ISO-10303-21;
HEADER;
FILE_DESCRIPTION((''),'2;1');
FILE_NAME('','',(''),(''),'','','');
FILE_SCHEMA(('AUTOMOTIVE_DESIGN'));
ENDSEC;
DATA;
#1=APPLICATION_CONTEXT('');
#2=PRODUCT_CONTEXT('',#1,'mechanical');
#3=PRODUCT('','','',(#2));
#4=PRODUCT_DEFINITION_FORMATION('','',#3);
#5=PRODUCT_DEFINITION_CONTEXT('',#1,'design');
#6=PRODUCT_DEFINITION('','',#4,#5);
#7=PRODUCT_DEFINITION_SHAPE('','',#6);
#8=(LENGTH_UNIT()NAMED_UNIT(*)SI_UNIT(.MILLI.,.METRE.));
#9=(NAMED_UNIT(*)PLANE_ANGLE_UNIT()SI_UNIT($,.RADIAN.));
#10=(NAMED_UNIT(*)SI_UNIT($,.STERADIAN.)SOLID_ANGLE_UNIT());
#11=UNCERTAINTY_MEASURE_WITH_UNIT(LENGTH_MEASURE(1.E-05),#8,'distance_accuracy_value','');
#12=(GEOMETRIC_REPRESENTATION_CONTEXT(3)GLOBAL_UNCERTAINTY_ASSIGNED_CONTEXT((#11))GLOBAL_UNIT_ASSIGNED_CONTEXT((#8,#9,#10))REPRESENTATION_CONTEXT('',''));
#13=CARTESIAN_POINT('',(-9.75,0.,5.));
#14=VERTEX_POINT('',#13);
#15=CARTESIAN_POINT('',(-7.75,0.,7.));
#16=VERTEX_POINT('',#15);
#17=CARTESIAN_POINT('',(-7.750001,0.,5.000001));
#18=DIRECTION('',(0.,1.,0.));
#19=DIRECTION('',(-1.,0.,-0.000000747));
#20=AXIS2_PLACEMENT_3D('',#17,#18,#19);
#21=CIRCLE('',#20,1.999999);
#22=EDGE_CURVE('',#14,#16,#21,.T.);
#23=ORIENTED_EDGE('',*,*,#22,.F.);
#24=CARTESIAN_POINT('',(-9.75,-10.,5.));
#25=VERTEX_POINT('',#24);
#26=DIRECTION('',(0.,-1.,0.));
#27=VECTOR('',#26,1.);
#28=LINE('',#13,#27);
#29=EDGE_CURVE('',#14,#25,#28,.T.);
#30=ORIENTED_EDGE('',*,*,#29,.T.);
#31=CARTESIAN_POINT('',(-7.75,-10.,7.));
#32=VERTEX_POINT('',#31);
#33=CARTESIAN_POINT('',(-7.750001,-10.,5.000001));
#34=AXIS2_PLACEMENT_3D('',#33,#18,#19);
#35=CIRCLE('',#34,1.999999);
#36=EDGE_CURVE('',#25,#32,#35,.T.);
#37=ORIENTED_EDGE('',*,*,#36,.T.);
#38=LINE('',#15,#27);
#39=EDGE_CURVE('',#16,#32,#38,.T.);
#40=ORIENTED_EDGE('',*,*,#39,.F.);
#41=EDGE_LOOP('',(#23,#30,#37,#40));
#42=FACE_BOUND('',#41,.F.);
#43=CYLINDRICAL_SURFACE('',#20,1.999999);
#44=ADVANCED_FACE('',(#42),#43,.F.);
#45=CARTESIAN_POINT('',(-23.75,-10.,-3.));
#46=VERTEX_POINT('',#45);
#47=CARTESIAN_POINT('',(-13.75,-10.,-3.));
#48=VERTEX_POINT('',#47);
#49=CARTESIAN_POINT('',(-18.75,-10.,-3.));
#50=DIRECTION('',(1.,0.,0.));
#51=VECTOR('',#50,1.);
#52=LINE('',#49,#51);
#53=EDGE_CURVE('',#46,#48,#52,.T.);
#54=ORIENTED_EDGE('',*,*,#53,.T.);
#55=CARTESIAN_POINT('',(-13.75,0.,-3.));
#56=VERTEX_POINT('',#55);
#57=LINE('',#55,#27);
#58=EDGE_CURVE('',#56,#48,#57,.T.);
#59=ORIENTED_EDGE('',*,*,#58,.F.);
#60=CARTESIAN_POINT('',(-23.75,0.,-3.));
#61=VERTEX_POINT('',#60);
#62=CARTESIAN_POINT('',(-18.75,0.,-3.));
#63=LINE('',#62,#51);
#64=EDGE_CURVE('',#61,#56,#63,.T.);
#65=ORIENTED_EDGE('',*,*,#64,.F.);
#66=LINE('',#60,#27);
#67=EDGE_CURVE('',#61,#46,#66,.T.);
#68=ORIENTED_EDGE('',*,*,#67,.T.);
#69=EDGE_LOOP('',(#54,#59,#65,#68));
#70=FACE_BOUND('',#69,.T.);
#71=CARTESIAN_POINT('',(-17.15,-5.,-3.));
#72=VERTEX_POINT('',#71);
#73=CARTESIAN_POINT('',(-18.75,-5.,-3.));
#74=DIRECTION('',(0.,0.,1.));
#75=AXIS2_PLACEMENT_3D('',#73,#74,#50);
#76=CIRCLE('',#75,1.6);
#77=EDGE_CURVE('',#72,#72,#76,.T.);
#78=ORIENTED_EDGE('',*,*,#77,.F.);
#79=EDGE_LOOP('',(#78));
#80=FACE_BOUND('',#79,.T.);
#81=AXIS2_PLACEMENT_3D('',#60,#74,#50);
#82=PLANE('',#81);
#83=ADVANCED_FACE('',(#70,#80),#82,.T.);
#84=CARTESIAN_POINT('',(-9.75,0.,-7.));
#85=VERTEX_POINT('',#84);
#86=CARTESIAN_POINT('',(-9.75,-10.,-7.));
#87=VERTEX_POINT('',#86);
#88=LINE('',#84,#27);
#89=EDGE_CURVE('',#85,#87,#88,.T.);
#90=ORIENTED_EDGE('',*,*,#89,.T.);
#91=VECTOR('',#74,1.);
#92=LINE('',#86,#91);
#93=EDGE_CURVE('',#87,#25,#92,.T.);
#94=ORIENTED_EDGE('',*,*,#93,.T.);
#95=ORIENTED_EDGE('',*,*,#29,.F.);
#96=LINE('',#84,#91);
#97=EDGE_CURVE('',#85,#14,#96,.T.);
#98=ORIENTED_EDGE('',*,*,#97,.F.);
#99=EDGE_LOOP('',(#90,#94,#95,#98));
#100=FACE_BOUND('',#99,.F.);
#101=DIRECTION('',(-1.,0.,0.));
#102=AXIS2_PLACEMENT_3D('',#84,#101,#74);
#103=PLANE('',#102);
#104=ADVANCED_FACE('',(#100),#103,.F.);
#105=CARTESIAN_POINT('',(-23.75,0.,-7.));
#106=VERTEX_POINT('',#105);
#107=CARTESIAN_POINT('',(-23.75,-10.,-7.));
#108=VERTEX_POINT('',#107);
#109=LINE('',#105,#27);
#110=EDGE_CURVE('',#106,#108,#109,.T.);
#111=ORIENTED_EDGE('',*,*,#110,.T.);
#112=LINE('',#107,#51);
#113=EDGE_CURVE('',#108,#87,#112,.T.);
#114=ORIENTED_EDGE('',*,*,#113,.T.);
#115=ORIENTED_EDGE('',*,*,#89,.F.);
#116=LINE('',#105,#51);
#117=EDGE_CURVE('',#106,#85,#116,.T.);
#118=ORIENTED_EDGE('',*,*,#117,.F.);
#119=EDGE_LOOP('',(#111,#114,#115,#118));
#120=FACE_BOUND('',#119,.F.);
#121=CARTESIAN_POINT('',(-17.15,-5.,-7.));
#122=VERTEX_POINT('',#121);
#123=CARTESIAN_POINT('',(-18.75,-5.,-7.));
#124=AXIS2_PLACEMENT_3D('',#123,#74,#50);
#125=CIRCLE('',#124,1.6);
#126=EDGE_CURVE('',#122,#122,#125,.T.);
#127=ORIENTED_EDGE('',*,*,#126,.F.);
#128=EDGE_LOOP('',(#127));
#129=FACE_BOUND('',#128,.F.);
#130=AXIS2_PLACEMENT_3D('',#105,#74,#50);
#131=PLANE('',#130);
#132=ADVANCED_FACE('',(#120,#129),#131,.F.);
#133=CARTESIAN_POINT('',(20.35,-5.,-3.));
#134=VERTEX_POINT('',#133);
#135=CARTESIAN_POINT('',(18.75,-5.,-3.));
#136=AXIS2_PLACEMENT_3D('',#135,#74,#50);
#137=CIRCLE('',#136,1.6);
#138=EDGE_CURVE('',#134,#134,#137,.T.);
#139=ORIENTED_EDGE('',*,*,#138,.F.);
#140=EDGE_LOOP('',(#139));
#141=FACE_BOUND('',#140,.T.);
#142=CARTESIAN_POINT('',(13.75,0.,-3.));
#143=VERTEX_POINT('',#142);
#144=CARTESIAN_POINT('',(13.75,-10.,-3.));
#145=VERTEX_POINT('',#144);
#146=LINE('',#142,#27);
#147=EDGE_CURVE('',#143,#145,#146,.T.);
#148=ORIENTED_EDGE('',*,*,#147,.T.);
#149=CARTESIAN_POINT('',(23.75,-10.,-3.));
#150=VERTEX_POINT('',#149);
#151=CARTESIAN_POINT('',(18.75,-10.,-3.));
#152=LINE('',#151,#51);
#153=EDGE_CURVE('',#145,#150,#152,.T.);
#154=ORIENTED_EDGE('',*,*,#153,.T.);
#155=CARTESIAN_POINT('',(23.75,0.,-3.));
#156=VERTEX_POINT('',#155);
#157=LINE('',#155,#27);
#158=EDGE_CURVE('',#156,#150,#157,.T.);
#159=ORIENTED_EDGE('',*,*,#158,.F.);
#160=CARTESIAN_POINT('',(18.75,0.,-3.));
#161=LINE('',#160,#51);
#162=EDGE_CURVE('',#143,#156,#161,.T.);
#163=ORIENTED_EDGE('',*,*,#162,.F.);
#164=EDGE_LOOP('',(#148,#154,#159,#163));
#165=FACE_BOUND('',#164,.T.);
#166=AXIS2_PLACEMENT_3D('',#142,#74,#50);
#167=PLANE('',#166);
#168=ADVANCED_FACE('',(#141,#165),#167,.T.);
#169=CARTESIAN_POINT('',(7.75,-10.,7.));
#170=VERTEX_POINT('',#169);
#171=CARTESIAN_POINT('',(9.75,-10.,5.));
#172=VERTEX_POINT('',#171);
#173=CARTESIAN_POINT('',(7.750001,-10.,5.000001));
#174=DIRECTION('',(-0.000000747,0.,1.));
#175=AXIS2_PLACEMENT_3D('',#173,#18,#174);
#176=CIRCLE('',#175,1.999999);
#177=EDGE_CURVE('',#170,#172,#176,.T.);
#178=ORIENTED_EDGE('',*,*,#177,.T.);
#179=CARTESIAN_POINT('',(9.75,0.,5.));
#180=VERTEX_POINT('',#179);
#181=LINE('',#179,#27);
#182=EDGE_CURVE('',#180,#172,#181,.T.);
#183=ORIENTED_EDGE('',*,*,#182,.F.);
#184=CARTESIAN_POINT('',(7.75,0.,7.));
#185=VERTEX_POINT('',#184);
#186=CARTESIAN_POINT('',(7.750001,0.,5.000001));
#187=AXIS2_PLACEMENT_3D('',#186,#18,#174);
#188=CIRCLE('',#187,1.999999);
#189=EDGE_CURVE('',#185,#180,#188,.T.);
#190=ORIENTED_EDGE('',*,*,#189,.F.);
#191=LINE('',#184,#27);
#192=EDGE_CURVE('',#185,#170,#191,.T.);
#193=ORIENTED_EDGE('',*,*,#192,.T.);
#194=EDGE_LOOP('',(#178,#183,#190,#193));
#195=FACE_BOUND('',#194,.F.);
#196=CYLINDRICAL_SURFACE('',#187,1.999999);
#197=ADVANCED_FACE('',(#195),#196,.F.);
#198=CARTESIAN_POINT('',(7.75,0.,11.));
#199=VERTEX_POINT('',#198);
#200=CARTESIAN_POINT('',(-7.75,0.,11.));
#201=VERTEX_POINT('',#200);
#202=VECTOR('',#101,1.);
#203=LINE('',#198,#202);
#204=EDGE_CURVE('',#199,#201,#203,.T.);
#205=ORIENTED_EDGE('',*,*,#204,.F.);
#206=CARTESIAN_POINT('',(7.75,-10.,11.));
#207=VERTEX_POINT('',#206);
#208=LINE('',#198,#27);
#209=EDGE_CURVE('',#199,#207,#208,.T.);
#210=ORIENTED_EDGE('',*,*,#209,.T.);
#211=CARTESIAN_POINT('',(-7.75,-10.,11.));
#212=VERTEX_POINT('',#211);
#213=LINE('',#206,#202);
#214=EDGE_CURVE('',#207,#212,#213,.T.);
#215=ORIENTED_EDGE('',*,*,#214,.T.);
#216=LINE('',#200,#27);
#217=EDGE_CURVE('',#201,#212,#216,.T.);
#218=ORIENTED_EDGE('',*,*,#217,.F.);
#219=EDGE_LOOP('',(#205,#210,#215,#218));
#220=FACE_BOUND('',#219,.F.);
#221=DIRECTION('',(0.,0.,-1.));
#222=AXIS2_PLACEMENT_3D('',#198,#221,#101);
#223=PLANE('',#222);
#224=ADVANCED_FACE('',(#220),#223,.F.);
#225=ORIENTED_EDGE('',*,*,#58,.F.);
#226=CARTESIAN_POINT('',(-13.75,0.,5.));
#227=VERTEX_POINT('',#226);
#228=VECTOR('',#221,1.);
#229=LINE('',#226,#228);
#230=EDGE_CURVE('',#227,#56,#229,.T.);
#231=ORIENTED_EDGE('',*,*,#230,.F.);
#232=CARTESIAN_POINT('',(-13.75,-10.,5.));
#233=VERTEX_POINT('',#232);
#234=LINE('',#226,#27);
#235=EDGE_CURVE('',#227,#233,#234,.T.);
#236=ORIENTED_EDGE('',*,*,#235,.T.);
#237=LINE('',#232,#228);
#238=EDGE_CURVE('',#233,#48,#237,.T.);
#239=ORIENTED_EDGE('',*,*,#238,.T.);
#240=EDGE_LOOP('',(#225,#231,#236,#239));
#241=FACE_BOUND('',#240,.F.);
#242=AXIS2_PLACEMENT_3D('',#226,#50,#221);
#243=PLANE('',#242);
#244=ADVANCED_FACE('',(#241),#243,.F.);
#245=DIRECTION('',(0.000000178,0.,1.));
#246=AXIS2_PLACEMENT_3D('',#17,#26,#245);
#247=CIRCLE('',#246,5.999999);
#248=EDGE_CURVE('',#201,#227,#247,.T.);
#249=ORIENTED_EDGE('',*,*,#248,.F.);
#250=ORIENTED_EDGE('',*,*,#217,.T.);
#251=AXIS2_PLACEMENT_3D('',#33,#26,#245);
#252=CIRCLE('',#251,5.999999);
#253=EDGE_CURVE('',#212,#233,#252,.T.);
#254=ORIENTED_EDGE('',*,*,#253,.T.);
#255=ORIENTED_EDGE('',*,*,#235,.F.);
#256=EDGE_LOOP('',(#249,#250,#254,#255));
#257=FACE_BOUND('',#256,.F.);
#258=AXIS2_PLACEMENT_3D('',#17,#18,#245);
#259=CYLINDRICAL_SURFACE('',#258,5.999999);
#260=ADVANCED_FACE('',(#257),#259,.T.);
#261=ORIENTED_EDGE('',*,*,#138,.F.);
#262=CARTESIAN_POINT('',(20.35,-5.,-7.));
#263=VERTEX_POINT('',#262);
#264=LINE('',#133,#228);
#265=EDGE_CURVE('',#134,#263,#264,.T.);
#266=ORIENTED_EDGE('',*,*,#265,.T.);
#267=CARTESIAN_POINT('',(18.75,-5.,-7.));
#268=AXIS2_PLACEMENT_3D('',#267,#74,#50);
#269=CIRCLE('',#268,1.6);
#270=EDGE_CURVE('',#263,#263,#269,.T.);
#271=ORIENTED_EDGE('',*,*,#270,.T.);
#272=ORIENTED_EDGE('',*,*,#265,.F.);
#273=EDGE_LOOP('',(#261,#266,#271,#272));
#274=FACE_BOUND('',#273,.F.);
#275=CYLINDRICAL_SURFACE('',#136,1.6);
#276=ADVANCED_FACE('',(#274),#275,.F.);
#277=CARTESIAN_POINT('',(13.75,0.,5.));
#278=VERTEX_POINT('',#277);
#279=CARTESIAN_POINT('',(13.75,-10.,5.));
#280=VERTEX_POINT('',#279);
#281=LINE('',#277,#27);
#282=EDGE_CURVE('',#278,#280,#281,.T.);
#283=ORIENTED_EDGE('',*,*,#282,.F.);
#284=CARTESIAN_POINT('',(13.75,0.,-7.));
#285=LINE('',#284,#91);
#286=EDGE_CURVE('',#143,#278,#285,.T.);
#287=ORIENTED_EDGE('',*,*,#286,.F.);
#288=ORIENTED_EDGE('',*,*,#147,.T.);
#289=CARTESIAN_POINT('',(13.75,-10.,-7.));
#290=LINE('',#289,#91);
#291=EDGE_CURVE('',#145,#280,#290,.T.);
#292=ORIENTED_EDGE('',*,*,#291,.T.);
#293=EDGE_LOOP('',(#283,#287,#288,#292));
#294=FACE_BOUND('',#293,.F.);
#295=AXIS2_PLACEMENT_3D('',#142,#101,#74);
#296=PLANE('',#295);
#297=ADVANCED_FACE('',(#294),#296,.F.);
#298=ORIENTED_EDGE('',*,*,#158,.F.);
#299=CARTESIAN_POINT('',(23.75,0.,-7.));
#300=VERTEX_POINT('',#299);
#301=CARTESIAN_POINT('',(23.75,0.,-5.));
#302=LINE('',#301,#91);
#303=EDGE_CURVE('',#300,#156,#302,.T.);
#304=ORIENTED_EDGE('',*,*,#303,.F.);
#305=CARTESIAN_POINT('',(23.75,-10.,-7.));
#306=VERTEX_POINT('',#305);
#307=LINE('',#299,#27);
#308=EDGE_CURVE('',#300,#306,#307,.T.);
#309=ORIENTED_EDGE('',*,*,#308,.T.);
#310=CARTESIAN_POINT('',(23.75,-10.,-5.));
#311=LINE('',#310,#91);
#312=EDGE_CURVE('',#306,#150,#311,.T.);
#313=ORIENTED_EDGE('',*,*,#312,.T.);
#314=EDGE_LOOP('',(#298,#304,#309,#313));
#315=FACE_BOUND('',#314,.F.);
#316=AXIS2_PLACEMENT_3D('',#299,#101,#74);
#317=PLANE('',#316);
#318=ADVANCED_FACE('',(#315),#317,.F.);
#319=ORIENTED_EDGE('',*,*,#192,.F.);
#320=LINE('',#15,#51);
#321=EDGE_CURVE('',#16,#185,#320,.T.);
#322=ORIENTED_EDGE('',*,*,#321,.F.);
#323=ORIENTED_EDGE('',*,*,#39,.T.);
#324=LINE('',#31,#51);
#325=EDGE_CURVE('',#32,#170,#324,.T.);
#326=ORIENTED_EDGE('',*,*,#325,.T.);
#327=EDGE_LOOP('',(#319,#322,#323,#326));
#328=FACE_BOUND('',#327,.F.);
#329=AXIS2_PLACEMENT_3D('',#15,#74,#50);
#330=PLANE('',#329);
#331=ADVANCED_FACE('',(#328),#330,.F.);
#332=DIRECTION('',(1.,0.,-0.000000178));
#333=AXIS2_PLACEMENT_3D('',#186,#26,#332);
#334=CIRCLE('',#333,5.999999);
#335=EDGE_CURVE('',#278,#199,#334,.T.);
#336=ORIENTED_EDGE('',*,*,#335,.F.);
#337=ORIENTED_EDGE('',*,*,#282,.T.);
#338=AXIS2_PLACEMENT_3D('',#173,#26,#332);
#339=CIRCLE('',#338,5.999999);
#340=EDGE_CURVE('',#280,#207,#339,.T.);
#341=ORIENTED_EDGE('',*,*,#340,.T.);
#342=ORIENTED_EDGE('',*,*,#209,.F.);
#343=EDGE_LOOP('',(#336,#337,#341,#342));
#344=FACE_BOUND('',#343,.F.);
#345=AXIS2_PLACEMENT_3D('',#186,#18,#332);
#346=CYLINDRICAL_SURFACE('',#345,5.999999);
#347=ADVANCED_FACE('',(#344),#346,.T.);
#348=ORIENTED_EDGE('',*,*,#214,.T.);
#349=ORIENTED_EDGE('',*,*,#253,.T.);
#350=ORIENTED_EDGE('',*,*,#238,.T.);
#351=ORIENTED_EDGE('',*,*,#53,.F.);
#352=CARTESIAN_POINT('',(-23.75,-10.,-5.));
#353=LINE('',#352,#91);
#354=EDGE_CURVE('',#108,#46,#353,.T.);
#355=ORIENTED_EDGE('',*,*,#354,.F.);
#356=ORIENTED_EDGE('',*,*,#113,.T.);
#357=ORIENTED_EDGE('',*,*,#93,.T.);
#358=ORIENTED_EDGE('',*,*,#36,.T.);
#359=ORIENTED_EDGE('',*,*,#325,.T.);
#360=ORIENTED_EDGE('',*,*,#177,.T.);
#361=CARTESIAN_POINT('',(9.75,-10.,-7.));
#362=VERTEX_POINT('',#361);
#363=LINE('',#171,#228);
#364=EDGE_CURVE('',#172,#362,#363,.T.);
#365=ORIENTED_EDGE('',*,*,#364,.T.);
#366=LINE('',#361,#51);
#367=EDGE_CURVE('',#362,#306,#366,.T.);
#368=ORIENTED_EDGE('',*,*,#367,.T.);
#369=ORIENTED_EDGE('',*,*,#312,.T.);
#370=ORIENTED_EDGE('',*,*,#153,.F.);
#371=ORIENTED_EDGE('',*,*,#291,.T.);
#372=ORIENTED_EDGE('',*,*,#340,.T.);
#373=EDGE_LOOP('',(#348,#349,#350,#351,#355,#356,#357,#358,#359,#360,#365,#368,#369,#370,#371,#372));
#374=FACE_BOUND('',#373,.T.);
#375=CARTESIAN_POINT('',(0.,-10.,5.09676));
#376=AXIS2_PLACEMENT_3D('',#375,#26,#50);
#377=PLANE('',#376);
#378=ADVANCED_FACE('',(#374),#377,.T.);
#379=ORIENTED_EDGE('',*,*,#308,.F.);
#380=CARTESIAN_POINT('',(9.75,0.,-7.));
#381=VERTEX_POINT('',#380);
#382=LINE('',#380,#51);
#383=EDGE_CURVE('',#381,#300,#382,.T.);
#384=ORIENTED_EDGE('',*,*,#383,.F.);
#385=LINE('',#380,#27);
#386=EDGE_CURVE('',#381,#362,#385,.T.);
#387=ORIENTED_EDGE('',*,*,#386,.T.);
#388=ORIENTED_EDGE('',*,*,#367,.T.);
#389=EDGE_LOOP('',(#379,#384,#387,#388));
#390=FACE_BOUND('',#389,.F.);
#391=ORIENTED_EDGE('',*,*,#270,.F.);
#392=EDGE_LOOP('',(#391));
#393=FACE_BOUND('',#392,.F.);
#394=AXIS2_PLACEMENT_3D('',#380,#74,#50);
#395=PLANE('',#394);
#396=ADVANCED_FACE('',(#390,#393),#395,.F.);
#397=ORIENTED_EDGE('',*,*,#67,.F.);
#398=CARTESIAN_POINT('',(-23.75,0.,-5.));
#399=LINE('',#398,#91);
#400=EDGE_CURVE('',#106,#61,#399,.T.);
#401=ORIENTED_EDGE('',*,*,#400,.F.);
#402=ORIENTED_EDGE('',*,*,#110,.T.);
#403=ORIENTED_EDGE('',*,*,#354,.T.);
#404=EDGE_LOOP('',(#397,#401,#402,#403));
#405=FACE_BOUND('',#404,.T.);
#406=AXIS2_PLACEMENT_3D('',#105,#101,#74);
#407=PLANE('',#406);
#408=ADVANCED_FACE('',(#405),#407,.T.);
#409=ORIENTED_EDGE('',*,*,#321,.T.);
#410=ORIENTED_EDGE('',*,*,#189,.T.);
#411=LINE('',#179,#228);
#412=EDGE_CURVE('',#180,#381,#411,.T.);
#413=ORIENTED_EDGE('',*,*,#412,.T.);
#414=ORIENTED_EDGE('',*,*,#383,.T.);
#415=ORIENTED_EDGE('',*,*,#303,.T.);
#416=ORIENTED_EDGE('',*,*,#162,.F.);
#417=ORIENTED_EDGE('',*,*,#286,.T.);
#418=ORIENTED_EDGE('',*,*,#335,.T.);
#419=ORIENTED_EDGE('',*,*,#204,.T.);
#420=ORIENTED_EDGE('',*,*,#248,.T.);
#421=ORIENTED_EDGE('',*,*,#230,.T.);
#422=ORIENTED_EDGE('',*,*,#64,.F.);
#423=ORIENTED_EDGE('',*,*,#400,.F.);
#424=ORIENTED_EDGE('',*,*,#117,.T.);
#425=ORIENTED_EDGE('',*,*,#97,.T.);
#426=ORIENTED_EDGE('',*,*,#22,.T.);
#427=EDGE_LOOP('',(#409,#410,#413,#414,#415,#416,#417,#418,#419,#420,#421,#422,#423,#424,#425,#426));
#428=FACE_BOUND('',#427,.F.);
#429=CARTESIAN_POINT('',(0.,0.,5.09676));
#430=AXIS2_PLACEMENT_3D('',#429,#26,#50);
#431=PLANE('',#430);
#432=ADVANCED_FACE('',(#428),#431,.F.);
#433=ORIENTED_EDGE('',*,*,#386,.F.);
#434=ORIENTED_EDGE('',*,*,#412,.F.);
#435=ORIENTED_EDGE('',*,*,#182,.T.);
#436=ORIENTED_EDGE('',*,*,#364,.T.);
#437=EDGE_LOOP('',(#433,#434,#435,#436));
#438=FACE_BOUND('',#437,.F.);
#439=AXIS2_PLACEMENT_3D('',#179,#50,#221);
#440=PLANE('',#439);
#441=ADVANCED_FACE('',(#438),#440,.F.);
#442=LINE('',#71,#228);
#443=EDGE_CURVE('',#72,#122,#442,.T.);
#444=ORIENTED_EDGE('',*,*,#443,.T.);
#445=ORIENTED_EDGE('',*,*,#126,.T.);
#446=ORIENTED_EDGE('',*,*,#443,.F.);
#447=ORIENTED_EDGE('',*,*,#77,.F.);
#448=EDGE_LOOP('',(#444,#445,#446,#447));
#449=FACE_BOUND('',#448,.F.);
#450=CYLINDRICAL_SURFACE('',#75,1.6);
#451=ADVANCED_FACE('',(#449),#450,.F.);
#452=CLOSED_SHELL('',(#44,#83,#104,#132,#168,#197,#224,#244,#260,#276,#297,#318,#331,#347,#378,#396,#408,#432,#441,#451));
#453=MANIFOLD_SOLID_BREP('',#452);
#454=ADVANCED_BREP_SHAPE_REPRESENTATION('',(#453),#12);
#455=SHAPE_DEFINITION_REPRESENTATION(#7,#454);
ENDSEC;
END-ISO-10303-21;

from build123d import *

# Parameters (mm, degrees)
F0_W     = 4
F0_H     = 4
F0_W_2   = 10
F1_DEPTH = 10
F2_R     = 1.6
F3_DEPTH = 4.001


with BuildPart() as f1:
    # F0 (on Front) → F1 (new body)
    with BuildSketch(Plane.XZ):
        with BuildLine():
            Line((-7.75, 7), (7.75, 7))
            ThreePointArc((7.75, 7), (9.164214, 6.414214), (9.75, 5))
            Line((9.75, 5), (9.75, -3))
            Line((9.75, -3), (13.75, -3))
            Line((13.75, -3), (13.75, 5))
            ThreePointArc((13.75, 5), (11.992641, 9.242641), (7.75, 11))
            Line((7.75, 11), (-7.75, 11))
            ThreePointArc((-7.75, 11), (-11.992641, 9.242641), (-13.75, 5))
            Line((-13.75, 5), (-13.75, -3))
            Line((-13.75, -3), (-9.75, -3))
            Line((-9.75, -3), (-9.75, 5))
            ThreePointArc((-9.75, 5), (-9.164214, 6.414214), (-7.75, 7))
        make_face()
        with Locations((11.75, -5)):
            Rectangle(F0_W, F0_H)
        with Locations((18.75, -5)):
            Rectangle(F0_W_2, F0_H)
        with Locations((-11.75, -5)):
            Rectangle(F0_W, F0_H)
        with Locations((-18.75, -5)):
            Rectangle(F0_W_2, F0_H)
    extrude(amount=F1_DEPTH)

    # F2 (on face) → F3 (cut, through all)
    with BuildSketch(Plane.XY.offset(-3)):
        with Locations((18.75, -5)):
            Circle(F2_R)
        with Locations((-18.75, -5)):
            Circle(F2_R)
    extrude(amount=-F3_DEPTH, mode=Mode.SUBTRACT)


solid = f1.part
